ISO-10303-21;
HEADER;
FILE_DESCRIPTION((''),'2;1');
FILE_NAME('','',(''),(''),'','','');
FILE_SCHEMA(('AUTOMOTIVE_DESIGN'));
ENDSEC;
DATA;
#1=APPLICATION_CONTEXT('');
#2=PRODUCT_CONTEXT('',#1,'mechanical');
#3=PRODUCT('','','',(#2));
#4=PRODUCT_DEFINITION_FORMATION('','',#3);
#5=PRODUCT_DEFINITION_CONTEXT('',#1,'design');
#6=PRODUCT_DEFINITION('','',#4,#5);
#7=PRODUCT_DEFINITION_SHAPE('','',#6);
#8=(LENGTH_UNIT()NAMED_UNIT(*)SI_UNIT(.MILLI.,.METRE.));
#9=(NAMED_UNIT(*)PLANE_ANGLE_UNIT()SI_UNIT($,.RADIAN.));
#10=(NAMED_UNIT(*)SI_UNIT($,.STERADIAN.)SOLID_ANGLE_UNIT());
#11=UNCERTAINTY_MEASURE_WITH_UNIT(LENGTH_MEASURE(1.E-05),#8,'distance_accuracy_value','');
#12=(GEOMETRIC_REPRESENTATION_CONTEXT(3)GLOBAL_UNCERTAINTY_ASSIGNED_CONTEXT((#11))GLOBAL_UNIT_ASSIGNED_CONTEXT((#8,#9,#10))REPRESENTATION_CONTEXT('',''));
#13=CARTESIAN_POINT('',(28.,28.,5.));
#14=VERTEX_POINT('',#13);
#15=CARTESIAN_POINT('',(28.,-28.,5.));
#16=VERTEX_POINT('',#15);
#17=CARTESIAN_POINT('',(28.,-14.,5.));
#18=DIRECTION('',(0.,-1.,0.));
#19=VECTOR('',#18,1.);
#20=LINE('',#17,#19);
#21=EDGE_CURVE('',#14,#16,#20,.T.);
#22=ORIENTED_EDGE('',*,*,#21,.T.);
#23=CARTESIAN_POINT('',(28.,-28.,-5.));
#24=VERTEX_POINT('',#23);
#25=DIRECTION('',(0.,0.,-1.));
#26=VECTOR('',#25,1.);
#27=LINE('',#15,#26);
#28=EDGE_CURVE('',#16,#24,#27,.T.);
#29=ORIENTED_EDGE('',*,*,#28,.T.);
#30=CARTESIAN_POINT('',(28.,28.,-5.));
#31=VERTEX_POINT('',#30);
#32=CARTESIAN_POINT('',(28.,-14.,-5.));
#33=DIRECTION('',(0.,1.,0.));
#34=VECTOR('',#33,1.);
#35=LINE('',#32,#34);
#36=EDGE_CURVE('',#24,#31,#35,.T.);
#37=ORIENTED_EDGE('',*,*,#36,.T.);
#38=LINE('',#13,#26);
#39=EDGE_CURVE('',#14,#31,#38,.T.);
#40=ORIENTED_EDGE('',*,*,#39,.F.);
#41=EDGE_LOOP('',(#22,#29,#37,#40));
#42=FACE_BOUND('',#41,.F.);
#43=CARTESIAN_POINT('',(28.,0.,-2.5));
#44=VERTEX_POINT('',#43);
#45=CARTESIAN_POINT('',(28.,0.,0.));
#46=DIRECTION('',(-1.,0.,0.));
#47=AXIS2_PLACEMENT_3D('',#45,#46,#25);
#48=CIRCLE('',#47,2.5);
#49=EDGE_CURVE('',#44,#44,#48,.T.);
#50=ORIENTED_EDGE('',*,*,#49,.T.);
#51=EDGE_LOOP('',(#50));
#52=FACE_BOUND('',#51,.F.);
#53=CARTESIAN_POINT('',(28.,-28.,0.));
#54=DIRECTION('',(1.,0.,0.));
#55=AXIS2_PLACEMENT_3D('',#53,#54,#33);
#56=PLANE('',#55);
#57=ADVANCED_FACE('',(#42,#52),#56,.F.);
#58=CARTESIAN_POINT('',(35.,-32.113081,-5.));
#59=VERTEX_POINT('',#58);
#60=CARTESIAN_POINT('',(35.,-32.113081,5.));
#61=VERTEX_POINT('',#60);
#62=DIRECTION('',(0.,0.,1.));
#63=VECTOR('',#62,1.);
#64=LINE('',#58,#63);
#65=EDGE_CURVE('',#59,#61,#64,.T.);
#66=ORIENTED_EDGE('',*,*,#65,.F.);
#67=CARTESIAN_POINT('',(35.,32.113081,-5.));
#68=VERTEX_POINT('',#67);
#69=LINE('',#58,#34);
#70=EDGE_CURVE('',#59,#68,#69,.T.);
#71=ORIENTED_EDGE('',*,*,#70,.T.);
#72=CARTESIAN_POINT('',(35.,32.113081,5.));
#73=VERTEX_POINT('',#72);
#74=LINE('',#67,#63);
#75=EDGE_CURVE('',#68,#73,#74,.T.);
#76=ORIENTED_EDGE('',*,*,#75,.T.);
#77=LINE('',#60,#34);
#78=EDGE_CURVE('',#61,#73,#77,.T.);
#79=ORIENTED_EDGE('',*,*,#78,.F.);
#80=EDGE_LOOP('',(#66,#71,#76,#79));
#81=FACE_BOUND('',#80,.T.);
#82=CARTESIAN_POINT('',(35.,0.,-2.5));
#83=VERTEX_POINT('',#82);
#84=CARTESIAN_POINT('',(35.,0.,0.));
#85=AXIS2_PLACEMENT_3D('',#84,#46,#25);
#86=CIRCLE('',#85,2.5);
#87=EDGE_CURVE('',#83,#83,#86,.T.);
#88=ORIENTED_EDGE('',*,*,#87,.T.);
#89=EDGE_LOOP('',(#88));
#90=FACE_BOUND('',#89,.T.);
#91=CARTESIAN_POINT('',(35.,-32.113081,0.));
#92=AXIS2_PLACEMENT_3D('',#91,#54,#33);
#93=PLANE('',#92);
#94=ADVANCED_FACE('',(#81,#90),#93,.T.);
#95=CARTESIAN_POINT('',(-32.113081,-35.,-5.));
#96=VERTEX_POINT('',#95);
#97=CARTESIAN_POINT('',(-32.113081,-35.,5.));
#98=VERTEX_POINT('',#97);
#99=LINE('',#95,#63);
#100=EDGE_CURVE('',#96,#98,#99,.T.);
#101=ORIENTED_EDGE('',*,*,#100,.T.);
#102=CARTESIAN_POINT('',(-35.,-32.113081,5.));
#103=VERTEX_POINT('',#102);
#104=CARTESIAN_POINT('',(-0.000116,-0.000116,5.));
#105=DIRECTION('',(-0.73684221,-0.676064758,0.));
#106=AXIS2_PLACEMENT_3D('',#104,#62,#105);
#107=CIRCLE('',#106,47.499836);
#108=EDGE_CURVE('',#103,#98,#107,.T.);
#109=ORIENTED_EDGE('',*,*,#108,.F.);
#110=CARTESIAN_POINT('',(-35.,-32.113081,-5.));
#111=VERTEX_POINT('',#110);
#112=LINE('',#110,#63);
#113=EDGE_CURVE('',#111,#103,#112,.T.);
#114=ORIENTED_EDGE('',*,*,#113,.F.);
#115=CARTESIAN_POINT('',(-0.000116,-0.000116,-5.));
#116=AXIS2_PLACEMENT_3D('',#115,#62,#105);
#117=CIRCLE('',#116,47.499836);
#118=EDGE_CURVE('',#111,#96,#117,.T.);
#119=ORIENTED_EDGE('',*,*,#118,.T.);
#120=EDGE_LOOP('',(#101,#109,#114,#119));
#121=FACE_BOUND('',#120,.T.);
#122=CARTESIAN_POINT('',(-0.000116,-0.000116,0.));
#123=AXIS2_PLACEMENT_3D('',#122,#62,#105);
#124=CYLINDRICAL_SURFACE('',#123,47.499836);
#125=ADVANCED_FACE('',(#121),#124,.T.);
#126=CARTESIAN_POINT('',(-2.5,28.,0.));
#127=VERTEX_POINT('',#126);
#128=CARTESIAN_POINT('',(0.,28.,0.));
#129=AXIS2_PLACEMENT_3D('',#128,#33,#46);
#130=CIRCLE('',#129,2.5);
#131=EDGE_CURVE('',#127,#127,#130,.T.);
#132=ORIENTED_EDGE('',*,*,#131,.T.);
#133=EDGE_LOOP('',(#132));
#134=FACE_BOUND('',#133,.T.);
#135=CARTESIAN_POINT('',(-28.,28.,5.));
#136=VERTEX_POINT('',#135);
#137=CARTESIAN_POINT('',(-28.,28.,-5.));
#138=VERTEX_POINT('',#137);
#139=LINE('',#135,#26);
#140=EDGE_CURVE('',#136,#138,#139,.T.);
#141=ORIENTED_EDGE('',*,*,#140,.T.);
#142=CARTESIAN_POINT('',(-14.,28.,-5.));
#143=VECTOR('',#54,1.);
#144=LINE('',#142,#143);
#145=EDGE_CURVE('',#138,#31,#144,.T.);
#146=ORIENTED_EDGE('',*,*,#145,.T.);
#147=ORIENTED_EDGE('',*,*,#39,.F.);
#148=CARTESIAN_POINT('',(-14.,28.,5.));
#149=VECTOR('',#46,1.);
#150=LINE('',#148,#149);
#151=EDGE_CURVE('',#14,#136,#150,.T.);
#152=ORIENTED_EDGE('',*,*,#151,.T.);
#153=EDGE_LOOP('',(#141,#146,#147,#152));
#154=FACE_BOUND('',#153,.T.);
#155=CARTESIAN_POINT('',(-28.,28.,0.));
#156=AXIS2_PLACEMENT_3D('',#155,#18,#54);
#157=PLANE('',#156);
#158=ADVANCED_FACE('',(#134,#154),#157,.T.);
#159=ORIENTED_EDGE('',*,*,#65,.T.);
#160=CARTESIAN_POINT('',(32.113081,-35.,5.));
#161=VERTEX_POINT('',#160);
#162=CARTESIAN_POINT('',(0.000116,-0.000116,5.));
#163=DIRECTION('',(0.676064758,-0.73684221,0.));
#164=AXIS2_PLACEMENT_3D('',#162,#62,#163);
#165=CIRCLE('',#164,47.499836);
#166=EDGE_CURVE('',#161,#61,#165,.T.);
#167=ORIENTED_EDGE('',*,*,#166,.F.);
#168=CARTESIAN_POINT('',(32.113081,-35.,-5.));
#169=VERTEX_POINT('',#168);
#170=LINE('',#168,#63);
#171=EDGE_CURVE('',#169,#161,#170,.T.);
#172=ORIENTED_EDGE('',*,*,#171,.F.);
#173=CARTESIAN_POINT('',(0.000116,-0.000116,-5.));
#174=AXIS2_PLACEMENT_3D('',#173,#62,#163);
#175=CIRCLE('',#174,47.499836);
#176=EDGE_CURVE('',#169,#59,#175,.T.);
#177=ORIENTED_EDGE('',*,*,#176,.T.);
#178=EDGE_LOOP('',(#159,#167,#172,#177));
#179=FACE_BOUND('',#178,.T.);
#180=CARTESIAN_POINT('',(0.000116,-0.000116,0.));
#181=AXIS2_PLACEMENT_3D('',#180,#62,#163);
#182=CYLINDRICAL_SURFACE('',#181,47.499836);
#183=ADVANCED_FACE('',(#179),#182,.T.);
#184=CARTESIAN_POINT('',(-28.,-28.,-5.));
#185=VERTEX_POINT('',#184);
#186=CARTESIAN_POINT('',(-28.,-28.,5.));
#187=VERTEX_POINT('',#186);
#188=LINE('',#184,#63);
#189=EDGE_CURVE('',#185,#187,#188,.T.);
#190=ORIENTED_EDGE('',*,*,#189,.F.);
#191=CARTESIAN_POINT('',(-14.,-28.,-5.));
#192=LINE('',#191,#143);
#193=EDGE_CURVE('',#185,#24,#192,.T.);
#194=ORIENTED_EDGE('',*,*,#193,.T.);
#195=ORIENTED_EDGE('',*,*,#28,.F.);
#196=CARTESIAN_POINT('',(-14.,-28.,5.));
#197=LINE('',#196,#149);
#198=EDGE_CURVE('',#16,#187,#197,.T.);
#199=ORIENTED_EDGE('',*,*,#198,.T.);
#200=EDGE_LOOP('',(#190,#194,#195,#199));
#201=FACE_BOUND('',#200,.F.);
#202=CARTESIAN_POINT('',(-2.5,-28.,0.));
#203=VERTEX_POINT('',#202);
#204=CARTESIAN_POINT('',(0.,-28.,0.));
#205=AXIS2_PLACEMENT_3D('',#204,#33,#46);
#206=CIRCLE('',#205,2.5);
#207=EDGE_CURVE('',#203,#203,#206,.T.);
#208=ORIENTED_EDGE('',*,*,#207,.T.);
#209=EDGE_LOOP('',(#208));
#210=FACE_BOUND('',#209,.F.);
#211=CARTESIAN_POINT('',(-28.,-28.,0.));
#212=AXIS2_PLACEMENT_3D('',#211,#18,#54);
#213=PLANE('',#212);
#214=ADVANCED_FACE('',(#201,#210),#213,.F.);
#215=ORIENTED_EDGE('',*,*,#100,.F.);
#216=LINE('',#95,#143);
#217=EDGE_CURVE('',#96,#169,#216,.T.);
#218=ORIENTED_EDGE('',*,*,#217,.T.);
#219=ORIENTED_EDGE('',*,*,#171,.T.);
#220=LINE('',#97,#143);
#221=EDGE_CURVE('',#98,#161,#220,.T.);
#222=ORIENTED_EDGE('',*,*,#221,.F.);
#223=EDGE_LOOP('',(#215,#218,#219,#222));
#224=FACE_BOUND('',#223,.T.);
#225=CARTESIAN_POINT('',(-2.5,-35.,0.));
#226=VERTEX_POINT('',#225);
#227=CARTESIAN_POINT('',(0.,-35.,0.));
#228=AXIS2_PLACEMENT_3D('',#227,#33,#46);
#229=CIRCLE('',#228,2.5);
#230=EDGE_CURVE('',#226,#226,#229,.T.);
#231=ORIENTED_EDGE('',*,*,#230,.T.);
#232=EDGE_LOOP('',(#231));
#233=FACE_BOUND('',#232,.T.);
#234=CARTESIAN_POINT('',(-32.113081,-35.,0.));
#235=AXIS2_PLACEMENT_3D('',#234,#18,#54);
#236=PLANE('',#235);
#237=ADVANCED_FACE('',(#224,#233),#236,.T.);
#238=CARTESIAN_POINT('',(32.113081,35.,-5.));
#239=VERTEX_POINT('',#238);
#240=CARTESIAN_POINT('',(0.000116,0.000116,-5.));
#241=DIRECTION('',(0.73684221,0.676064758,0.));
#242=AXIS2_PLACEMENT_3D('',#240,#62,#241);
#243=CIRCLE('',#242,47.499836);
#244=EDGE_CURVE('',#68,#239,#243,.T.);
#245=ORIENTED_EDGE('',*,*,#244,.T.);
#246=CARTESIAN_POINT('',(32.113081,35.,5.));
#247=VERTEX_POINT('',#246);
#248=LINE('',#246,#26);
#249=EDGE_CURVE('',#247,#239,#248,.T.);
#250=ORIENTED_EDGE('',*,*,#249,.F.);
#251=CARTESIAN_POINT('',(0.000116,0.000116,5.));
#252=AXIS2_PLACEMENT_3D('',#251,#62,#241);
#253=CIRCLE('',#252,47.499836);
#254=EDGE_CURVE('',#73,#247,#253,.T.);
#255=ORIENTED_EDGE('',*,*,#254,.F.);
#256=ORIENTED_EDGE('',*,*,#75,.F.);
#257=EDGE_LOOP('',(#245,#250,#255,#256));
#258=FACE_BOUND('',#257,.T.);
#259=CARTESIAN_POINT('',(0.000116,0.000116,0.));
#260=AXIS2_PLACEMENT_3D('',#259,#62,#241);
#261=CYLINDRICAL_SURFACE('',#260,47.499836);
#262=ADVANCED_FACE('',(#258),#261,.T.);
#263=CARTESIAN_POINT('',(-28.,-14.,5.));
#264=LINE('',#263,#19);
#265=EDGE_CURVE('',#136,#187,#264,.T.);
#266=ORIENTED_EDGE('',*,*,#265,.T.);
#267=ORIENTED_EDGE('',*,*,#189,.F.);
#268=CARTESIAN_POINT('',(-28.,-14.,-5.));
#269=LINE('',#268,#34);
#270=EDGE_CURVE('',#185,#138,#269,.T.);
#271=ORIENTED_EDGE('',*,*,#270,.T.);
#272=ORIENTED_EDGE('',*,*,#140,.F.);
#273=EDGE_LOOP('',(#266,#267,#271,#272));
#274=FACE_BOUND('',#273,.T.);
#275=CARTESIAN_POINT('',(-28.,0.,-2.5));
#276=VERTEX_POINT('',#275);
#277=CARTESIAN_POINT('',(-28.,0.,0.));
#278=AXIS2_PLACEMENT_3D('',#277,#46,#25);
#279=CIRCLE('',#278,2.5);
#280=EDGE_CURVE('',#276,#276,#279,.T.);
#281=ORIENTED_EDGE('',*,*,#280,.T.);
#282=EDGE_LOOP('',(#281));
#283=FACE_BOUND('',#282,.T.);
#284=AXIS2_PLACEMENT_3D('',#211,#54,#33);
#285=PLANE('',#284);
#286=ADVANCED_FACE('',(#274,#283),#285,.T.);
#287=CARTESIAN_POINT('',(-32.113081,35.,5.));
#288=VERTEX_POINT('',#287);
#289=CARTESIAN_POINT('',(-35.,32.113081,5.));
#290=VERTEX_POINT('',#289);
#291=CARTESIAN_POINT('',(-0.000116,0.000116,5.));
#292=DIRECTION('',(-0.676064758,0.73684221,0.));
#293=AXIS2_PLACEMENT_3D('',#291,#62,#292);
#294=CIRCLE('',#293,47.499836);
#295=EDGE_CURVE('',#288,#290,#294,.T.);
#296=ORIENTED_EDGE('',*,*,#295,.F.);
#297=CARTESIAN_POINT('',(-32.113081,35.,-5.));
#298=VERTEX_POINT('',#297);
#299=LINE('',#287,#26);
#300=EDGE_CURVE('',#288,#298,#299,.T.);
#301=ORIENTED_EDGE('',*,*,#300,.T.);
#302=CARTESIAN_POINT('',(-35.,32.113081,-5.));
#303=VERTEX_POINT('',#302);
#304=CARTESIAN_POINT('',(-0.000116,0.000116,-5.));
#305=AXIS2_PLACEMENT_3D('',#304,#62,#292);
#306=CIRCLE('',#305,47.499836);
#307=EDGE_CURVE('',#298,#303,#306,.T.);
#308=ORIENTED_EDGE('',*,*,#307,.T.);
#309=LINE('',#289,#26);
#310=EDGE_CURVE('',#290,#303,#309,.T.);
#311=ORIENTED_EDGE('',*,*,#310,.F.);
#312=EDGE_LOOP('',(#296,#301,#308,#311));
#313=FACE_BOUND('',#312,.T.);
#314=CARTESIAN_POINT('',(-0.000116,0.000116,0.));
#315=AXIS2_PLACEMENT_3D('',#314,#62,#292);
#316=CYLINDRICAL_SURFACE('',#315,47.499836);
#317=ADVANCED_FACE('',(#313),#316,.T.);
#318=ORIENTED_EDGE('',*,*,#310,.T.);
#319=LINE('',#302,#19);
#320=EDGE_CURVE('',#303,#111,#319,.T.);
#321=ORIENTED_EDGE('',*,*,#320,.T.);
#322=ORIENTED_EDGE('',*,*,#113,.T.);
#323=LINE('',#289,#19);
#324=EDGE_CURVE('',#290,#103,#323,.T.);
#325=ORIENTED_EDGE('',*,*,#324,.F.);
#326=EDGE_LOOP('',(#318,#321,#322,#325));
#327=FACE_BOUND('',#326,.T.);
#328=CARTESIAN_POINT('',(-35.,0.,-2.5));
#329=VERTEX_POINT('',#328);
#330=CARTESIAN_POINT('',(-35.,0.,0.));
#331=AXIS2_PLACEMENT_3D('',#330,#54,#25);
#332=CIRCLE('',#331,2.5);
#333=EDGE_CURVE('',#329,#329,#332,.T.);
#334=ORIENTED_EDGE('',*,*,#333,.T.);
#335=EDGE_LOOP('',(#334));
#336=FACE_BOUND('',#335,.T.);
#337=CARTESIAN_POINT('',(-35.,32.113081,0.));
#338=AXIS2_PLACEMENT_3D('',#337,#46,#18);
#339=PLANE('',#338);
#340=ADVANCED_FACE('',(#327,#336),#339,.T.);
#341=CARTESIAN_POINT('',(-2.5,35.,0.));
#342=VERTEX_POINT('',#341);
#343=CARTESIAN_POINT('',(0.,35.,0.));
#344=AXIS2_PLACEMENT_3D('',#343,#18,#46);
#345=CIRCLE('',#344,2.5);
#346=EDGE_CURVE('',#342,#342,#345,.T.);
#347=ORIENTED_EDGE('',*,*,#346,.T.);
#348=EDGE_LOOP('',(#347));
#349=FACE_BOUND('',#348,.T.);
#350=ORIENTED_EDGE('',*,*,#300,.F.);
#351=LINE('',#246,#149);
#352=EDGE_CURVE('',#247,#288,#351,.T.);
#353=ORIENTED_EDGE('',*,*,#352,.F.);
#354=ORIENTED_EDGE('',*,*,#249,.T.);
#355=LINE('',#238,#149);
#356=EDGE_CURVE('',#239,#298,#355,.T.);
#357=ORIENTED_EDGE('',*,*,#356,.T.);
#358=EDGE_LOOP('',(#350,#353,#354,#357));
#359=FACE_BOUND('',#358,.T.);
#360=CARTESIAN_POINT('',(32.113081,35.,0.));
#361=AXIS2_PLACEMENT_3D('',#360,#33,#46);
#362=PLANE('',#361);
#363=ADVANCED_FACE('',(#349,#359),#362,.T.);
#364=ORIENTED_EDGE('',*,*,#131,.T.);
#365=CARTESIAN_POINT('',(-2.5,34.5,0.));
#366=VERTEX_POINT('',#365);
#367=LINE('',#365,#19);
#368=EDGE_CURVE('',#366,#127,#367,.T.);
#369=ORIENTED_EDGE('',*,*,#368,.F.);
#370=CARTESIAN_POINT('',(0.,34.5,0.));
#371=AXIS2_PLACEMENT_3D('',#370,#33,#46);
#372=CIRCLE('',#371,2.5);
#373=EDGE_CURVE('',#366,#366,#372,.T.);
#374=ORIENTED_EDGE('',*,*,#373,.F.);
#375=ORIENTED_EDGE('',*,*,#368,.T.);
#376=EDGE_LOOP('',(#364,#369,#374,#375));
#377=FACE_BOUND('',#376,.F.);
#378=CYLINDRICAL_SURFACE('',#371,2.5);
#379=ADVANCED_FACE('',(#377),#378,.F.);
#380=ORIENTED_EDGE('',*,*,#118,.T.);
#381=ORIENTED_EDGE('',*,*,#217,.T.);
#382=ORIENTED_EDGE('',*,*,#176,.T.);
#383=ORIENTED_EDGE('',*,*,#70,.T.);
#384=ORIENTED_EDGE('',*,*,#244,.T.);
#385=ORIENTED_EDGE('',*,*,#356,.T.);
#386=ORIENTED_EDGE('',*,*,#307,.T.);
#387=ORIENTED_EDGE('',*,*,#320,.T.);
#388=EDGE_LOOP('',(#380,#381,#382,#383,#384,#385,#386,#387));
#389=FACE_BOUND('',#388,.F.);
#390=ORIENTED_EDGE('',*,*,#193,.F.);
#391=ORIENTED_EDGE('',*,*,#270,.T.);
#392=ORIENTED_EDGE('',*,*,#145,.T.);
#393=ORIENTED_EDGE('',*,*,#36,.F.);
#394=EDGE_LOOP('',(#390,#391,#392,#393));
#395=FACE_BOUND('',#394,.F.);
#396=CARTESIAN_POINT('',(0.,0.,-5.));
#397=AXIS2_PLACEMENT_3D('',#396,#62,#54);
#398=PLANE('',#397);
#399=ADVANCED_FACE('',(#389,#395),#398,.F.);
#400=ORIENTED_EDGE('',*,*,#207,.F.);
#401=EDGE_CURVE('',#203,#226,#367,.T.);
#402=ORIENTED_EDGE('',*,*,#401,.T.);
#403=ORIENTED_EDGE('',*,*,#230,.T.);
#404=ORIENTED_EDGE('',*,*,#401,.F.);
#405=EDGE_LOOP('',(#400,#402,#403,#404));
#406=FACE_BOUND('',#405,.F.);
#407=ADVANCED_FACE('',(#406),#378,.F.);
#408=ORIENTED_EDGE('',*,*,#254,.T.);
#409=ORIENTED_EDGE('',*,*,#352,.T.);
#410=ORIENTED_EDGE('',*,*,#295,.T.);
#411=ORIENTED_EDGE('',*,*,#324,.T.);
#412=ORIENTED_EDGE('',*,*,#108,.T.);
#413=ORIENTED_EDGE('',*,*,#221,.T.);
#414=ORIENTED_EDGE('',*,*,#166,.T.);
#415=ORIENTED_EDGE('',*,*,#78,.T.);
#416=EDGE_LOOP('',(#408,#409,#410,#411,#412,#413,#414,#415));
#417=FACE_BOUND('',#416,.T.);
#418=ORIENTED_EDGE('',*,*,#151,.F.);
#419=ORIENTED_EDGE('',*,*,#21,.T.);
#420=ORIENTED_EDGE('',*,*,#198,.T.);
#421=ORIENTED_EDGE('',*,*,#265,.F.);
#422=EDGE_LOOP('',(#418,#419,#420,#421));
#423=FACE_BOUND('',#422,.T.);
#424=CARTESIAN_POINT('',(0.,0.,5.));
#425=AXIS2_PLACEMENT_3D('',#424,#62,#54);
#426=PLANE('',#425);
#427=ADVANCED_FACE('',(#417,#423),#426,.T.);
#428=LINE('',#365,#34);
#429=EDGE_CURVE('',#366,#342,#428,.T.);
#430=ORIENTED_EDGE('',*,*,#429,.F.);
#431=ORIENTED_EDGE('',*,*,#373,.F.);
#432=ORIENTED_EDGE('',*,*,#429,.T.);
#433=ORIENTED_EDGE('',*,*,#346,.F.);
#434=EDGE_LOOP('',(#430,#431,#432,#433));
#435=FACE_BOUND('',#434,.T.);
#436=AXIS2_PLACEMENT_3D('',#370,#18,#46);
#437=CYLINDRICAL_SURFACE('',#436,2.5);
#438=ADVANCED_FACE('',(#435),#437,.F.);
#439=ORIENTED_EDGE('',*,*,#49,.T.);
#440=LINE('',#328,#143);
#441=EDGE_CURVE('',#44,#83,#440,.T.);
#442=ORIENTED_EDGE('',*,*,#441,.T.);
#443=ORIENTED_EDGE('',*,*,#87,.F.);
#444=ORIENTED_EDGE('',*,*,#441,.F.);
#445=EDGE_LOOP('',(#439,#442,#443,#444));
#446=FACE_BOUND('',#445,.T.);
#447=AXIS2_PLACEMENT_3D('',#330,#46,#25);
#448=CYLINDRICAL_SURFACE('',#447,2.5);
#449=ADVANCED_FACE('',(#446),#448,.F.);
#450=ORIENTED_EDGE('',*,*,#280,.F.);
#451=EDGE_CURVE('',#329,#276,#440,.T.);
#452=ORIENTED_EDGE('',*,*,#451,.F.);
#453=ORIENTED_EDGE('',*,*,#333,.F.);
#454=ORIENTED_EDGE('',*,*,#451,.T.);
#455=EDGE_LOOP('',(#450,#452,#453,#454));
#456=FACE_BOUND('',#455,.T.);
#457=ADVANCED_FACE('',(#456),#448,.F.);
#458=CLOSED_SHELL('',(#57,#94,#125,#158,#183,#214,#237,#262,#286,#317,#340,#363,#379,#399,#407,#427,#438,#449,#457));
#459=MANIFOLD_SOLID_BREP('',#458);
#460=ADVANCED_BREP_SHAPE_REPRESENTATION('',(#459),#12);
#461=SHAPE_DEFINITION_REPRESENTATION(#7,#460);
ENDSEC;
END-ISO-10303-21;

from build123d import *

# Parameters (mm, degrees)
PAD_DEPTH            = 5
SKETCH017_W          = 56
SKETCH017_H          = 56
POCKET_DEPTH         = 5.001
POCKET_DEPTH_BACK    = 5.001
SKETCH004_R          = 2.5
POCKET010_DEPTH      = 69.501
POCKET010_DEPTH_BACK = 0.501
SKETCH003_R          = 2.5
POCKET011_DEPTH      = 0.001
POCKET011_DEPTH_BACK = 70.001


with BuildPart() as part:
    # Sketch → Pad (new body, symmetric)
    with BuildSketch(Plane.XY):
        with BuildLine():
            Line((-35, 32.113081), (-35, -32.113081))
            ThreePointArc((-35, -32.113081), (-33.587572, -33.587572), (-32.113081, -35))
            Line((-32.113081, -35), (32.113081, -35))
            ThreePointArc((32.113081, -35), (33.587572, -33.587572), (35, -32.113081))
            Line((35, -32.113081), (35, 32.113081))
            ThreePointArc((35, 32.113081), (33.587572, 33.587572), (32.113081, 35))
            Line((32.113081, 35), (-32.113081, 35))
            ThreePointArc((-32.113081, 35), (-33.587572, 33.587572), (-35, 32.113081))
        make_face()
    extrude(amount=PAD_DEPTH, both=True)

    # Sketch017 → Pocket (cut, two sides)
    with BuildSketch(Plane.XY) as pocket_sk:
        Rectangle(SKETCH017_W, SKETCH017_H)
    extrude(amount=-POCKET_DEPTH, mode=Mode.SUBTRACT)
    extrude(pocket_sk.sketch, amount=POCKET_DEPTH_BACK, mode=Mode.SUBTRACT)

    # Sketch004 → Pocket010 (cut, two sides)
    with BuildSketch(Plane(origin=(0, 34.5, 0), x_dir=(-1, 0, 0), z_dir=(0, 1, 0))) as pocket010_sk:
        Circle(SKETCH004_R)
    extrude(amount=-POCKET010_DEPTH, mode=Mode.SUBTRACT)
    extrude(pocket010_sk.sketch, amount=POCKET010_DEPTH_BACK, mode=Mode.SUBTRACT)

    # Sketch003 → Pocket011 (cut, two sides)
    with BuildSketch(Plane(origin=(-35, 0, 0), x_dir=(0, 0, -1), z_dir=(1, 0, 0))) as pocket011_sk:
        Circle(SKETCH003_R)
    extrude(amount=-POCKET011_DEPTH, mode=Mode.SUBTRACT)
    extrude(pocket011_sk.sketch, amount=POCKET011_DEPTH_BACK, mode=Mode.SUBTRACT)


solid = part.part
